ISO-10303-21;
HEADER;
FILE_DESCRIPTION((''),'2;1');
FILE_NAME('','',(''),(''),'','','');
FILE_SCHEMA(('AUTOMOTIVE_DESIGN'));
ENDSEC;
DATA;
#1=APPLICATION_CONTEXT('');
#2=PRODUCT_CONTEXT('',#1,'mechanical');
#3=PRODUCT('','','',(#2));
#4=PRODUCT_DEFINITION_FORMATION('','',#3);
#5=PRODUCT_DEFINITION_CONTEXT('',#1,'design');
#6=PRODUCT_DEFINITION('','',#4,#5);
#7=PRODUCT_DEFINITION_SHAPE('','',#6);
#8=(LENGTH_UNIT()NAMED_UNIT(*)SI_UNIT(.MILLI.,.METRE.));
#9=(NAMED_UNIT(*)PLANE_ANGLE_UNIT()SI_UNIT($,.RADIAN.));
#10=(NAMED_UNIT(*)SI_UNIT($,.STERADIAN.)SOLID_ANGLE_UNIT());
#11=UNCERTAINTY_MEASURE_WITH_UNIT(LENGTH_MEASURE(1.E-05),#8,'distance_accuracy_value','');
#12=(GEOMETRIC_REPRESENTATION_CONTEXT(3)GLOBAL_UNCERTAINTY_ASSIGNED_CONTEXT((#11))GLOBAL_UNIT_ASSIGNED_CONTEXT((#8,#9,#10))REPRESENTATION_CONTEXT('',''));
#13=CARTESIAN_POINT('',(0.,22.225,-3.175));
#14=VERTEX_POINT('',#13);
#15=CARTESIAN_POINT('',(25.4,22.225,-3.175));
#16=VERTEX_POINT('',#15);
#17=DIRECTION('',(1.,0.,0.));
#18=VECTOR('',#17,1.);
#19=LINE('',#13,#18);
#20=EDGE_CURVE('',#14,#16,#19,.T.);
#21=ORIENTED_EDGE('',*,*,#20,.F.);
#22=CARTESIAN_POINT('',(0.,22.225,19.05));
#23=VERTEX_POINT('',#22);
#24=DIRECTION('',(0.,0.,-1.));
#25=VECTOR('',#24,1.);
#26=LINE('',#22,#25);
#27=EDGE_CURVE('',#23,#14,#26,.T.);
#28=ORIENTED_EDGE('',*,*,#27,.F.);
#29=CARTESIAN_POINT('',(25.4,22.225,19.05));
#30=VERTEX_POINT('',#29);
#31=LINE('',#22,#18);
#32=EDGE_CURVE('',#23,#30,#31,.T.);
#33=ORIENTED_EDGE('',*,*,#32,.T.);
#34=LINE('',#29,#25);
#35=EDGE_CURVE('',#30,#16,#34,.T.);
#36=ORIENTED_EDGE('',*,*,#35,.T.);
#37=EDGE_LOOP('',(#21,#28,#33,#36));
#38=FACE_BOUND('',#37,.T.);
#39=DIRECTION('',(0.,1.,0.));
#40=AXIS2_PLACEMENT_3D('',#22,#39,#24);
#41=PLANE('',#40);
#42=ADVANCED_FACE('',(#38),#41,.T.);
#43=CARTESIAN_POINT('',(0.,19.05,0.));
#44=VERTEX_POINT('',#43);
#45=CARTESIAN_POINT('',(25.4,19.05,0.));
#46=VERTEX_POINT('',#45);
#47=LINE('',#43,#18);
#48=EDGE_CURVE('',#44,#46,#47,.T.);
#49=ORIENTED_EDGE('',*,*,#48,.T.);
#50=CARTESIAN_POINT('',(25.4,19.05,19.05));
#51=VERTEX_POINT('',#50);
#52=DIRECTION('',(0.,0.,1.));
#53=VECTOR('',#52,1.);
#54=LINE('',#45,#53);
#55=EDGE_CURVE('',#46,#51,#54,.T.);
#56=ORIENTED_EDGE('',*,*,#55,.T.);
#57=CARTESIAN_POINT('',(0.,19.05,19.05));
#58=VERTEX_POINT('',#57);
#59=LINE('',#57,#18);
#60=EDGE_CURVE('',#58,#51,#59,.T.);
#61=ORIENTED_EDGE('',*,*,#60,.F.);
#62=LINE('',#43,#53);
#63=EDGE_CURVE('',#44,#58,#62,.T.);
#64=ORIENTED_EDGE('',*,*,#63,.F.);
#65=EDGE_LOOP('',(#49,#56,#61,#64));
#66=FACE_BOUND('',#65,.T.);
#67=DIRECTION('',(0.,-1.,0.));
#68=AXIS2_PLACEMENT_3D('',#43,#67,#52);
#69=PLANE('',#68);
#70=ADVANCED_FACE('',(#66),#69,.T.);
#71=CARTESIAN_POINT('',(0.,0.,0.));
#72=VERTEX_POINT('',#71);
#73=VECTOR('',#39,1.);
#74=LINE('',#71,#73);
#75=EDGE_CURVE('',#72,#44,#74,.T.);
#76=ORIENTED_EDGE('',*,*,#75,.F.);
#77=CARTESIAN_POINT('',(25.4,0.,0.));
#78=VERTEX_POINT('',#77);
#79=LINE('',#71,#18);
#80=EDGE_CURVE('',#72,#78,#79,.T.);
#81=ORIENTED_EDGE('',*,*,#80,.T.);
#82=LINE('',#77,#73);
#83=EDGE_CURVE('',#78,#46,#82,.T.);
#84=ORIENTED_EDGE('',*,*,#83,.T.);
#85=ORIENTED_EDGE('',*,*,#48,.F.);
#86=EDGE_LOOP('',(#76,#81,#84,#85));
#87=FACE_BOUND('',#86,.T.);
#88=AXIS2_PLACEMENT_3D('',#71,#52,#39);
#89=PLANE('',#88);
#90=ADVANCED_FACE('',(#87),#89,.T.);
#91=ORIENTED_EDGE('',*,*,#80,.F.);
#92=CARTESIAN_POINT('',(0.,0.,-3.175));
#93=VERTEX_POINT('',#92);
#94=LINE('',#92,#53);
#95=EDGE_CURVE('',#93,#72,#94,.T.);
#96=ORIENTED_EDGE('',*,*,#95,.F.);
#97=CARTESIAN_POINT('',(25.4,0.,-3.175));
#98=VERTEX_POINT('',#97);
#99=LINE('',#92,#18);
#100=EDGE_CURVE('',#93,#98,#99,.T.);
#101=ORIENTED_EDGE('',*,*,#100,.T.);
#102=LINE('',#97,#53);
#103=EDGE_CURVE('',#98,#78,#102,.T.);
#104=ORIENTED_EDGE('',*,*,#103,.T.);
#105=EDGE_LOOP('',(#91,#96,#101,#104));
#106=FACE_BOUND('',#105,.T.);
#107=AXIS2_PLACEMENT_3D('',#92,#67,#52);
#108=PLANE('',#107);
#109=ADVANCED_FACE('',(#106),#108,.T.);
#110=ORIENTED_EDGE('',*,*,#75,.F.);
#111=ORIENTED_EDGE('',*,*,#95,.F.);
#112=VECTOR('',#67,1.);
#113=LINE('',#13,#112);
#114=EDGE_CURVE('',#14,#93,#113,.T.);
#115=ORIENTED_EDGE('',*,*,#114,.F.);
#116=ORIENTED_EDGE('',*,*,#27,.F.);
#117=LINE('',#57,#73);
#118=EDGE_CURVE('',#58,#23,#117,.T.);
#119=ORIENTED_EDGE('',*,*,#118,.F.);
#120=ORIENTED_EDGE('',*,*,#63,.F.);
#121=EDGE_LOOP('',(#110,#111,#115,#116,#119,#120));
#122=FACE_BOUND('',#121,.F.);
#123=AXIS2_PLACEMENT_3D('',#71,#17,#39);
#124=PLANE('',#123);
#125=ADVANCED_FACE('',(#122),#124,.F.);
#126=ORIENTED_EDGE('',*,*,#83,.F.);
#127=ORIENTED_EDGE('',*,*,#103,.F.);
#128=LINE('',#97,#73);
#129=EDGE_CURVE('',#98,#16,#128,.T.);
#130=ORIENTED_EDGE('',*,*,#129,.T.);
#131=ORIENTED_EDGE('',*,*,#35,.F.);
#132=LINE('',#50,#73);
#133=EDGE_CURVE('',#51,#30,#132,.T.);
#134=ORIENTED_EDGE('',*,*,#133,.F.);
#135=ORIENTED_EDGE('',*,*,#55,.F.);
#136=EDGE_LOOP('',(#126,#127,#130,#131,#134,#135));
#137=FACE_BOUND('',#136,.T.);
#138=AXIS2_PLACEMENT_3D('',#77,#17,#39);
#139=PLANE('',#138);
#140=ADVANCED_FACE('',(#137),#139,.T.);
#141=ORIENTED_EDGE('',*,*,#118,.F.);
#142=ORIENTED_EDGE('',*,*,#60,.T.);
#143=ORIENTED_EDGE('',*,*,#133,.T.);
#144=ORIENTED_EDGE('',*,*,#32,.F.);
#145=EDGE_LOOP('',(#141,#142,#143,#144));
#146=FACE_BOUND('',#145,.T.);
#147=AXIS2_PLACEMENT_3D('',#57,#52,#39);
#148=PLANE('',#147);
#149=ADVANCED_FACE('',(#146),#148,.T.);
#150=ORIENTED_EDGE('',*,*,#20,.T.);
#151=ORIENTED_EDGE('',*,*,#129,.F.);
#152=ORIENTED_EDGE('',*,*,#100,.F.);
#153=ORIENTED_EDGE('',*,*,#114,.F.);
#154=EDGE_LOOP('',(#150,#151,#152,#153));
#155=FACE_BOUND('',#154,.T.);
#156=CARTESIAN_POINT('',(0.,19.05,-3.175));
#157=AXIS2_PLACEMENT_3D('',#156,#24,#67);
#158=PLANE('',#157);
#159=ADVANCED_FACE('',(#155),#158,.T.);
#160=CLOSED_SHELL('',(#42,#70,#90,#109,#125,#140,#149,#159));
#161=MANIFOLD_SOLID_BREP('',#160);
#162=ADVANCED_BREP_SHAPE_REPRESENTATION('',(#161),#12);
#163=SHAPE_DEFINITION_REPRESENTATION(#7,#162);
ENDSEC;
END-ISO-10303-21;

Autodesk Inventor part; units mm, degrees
ref_plane "YZ Plane" through (0, 0, 0) normal (1, 0, 0) x (0, 1, 0)
ref_plane "XZ Plane" through (0, 0, 0) normal (0, 1, 0) x (-1, 0, 0)
ref_plane "XY Plane" through (0, 0, 0) normal (0, 0, 1) x (1, 0, 0)
sketch "Sketch1" plane through (0, 0, 0) normal (1, 0, 0) x (0, 1, 0)
  line L0 (0, 0) -> (19.05, 0)
  line L1 (19.05, 0) -> (19.05, 19.05)
  line L2 (19.05, 19.05) -> (0, 19.05)
  line L3 (0, 19.05) -> (0, 0)
  line L4 (19.05, 19.05) -> (22.225, 19.05)
  line L5 (22.225, 19.05) -> (22.225, -3.175)
  line L6 (22.225, -3.175) -> (19.05, -3.175)
  line L7 (19.05, -3.175) -> (19.05, 19.05)
  line L8 (19.05, -3.175) -> (0, -3.175)
  line L9 (0, -3.175) -> (0, 0)
  line L10 (0, 0) -> (19.05, 0)
  line L11 (19.05, 0) -> (19.05, -3.175)
  dimension "d0" = 19.05
  dimension "d1" = 19.05
  dimension "d2" = 3.175
  dimension "d3" = 22.225
extrude "Extrusion1" add sketch "Sketch1" along normal blind 25.4 contours L0 L7 L8 L9 | L1 L4 L5 L6 L7
properties part number "BumperStop"
